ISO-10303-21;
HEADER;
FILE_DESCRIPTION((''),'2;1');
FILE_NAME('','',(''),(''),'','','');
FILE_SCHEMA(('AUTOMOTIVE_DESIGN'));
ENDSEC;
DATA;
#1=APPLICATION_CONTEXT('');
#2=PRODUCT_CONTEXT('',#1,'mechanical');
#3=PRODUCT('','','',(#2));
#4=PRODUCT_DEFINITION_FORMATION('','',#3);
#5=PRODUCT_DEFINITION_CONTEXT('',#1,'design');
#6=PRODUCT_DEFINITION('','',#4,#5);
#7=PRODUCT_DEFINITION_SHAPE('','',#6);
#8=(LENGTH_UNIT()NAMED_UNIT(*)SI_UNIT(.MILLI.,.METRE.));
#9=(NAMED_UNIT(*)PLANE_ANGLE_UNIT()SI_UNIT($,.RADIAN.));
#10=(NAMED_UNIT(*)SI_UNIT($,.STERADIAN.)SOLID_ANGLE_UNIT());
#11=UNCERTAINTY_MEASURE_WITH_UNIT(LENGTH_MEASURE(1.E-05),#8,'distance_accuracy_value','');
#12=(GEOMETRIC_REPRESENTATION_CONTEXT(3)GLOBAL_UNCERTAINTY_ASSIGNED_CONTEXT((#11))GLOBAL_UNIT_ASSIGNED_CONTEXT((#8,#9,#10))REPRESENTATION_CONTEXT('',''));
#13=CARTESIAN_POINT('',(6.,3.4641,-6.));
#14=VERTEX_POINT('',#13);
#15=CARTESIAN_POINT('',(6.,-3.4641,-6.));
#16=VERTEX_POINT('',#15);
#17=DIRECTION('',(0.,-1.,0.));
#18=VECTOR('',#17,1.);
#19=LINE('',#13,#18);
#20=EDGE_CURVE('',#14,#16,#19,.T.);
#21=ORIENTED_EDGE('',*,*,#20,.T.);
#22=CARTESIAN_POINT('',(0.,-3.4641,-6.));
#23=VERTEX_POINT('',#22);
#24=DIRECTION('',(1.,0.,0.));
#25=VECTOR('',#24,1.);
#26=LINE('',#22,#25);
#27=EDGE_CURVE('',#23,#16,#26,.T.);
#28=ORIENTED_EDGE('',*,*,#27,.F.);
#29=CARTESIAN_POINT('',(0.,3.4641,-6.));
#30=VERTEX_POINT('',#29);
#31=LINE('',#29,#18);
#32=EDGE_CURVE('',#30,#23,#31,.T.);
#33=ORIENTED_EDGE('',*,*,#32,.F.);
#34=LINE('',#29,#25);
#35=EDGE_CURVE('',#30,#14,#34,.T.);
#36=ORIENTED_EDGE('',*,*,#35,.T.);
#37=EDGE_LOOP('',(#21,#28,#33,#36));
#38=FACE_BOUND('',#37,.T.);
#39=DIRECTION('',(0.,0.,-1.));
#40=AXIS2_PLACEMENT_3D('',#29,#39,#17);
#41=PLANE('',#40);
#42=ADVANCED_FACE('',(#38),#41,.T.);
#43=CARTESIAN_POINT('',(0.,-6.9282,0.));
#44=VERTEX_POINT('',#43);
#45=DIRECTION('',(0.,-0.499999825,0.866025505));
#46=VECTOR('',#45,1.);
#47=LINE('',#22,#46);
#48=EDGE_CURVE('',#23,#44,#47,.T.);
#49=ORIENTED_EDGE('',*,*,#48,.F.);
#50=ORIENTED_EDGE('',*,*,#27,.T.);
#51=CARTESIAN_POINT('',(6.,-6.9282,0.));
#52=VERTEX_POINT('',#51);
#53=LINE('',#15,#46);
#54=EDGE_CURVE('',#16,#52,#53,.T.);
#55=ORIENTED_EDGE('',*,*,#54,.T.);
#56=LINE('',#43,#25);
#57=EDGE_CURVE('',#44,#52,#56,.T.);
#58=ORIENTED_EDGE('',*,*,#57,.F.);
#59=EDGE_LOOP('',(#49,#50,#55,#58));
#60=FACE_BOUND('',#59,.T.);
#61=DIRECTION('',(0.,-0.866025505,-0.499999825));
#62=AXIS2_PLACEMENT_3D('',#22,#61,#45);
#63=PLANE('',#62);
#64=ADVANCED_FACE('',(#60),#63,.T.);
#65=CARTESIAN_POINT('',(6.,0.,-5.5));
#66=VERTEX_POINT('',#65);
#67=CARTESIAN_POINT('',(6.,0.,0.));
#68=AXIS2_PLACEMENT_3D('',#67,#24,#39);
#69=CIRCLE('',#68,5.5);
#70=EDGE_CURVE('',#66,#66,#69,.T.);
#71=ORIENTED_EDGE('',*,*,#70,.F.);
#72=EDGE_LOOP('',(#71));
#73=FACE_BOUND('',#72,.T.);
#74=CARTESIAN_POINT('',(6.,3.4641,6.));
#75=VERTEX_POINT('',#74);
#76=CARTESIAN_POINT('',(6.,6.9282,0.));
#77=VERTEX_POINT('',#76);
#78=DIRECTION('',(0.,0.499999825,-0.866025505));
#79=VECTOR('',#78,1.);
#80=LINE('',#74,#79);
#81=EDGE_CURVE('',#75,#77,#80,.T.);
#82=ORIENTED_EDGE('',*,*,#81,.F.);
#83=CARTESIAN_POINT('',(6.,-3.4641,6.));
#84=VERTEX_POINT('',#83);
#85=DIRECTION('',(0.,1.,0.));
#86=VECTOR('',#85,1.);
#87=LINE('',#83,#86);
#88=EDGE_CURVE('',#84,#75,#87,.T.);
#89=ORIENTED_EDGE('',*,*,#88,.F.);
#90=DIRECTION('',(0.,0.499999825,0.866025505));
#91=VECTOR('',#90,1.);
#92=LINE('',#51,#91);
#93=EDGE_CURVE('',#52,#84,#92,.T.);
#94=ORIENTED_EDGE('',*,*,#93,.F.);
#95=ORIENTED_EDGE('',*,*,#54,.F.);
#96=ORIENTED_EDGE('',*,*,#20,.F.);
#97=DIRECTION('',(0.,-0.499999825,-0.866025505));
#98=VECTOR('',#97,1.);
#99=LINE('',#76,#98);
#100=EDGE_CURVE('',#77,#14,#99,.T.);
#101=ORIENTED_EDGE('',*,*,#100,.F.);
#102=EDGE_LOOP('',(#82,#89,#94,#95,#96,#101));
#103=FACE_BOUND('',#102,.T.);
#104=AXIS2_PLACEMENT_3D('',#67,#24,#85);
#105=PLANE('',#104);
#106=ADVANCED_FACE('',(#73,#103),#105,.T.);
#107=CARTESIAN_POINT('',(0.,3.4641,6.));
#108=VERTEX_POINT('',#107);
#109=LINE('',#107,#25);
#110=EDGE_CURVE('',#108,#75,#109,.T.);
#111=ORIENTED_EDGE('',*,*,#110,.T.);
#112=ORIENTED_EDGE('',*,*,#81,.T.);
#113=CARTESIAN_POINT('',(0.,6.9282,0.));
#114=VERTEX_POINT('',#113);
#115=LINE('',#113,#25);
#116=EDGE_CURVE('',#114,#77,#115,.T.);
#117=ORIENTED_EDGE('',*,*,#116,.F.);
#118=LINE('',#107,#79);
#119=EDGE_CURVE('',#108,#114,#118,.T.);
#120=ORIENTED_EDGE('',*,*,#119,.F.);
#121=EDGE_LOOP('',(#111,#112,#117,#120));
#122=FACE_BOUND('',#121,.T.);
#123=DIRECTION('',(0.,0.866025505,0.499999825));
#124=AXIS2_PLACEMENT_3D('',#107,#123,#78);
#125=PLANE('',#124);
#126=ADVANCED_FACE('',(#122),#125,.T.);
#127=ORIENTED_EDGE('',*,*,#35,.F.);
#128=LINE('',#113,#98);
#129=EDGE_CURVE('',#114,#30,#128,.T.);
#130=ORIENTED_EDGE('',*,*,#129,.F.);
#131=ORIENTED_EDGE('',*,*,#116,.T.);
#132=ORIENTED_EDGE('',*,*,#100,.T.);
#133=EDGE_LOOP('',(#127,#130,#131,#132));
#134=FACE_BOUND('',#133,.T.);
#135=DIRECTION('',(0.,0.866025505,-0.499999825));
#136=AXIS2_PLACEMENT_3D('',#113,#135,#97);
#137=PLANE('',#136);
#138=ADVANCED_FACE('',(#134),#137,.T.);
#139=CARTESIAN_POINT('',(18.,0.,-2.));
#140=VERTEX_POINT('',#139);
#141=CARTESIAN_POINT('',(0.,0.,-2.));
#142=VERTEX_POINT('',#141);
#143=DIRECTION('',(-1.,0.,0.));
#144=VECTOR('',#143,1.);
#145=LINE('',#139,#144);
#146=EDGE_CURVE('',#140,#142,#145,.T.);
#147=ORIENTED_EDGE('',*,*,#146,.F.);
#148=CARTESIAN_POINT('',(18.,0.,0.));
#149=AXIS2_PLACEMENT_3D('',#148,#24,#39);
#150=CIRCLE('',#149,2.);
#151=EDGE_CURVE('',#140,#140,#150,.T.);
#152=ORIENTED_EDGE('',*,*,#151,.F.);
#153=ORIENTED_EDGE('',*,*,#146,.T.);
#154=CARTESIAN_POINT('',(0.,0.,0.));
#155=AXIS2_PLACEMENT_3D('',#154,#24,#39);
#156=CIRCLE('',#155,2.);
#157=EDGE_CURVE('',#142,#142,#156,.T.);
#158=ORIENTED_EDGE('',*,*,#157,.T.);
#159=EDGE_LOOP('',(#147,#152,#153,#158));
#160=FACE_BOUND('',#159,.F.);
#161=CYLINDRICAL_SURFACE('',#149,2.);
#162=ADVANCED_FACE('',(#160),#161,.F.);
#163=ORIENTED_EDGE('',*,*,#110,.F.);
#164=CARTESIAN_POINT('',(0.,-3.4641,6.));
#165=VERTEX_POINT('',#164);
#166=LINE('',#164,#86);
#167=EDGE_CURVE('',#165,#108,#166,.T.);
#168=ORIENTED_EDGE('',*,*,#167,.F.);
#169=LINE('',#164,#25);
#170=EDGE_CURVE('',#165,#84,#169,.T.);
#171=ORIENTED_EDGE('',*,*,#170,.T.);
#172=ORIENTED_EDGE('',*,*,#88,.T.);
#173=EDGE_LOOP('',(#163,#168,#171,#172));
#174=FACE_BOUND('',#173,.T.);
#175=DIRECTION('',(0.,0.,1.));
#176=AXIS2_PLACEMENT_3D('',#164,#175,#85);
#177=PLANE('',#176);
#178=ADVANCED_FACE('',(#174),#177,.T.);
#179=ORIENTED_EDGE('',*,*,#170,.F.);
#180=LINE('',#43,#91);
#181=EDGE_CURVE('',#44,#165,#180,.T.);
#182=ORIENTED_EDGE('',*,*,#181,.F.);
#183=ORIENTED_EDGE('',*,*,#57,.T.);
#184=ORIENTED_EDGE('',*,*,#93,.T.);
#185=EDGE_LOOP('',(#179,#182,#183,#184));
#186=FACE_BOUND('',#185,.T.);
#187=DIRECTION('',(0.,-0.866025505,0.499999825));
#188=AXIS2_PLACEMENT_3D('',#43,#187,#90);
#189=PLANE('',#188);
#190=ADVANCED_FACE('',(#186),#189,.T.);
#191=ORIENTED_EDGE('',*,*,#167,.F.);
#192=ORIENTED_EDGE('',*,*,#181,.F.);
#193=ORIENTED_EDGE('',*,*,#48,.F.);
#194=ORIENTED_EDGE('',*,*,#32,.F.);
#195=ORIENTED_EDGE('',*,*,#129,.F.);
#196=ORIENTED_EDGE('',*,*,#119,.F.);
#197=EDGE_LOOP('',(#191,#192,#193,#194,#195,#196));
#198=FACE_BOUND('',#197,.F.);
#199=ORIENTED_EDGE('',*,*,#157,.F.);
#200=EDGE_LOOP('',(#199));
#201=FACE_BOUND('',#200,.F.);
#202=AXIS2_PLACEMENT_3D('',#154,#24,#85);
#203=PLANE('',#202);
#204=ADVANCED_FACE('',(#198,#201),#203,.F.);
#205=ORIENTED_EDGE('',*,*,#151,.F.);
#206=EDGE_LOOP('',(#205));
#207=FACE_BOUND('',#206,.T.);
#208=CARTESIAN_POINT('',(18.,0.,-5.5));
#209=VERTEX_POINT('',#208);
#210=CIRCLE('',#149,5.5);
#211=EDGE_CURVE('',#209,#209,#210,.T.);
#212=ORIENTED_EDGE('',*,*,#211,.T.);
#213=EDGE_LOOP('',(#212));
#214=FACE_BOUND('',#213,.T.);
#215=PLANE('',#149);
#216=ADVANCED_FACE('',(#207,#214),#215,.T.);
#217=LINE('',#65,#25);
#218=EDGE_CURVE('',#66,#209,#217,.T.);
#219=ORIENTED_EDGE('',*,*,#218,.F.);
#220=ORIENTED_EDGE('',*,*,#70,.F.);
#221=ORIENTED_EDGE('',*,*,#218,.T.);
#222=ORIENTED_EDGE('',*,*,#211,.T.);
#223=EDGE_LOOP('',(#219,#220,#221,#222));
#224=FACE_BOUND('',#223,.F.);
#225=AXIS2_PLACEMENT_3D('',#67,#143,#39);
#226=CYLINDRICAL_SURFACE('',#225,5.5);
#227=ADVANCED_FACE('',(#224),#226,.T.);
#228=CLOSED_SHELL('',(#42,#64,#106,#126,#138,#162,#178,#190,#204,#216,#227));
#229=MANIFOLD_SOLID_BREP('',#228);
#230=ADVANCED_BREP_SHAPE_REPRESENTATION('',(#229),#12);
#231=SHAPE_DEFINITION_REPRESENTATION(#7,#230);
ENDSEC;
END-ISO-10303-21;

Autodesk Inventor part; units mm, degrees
ref_plane "YZ Plane" through (0, 0, 0) normal (1, 0, 0) x (0, 1, 0)
ref_plane "XZ Plane" through (0, 0, 0) normal (0, 1, 0) x (-1, 0, 0)
ref_plane "XY Plane" through (0, 0, 0) normal (0, 0, 1) x (1, 0, 0)
sketch "Skizze1" plane through (0, 0, 0) normal (1, 0, 0) x (0, 1, 0)
  line L0 (6.9282, 0) -> (3.4641, -6)
  line L1 (3.4641, -6) -> (-3.4641, -6)
  line L2 (-3.4641, -6) -> (-6.9282, 0)
  line L3 (-6.9282, 0) -> (-3.4641, 6)
  line L4 (-3.4641, 6) -> (3.4641, 6)
  line L5 (3.4641, 6) -> (6.9282, 0)
  point P0 (0, 0)
  point P1 (0, 0)
  dimension "d0" = 12
extrude "Extrusion1" add sketch "Skizze1" along normal blind 6
sketch "Skizze2" plane through (6, 0, 0) normal (1, 0, 0) x (0, 0, -1)
  circle A0 centre (0, 0) radius 5.5
  dimension "d3" = 11
extrude "Extrusion2" add sketch "Skizze2" along normal blind 12
sketch "Skizze3" plane through (18, 0, 0) normal (1, 0, 0) x (0, 0, -1)
  circle A0 centre (0, 0) radius 2
  dimension "d6" = 4
extrude "Extrusion3" cut sketch "Skizze3" against normal through all
properties part number "MotorAdapter"
